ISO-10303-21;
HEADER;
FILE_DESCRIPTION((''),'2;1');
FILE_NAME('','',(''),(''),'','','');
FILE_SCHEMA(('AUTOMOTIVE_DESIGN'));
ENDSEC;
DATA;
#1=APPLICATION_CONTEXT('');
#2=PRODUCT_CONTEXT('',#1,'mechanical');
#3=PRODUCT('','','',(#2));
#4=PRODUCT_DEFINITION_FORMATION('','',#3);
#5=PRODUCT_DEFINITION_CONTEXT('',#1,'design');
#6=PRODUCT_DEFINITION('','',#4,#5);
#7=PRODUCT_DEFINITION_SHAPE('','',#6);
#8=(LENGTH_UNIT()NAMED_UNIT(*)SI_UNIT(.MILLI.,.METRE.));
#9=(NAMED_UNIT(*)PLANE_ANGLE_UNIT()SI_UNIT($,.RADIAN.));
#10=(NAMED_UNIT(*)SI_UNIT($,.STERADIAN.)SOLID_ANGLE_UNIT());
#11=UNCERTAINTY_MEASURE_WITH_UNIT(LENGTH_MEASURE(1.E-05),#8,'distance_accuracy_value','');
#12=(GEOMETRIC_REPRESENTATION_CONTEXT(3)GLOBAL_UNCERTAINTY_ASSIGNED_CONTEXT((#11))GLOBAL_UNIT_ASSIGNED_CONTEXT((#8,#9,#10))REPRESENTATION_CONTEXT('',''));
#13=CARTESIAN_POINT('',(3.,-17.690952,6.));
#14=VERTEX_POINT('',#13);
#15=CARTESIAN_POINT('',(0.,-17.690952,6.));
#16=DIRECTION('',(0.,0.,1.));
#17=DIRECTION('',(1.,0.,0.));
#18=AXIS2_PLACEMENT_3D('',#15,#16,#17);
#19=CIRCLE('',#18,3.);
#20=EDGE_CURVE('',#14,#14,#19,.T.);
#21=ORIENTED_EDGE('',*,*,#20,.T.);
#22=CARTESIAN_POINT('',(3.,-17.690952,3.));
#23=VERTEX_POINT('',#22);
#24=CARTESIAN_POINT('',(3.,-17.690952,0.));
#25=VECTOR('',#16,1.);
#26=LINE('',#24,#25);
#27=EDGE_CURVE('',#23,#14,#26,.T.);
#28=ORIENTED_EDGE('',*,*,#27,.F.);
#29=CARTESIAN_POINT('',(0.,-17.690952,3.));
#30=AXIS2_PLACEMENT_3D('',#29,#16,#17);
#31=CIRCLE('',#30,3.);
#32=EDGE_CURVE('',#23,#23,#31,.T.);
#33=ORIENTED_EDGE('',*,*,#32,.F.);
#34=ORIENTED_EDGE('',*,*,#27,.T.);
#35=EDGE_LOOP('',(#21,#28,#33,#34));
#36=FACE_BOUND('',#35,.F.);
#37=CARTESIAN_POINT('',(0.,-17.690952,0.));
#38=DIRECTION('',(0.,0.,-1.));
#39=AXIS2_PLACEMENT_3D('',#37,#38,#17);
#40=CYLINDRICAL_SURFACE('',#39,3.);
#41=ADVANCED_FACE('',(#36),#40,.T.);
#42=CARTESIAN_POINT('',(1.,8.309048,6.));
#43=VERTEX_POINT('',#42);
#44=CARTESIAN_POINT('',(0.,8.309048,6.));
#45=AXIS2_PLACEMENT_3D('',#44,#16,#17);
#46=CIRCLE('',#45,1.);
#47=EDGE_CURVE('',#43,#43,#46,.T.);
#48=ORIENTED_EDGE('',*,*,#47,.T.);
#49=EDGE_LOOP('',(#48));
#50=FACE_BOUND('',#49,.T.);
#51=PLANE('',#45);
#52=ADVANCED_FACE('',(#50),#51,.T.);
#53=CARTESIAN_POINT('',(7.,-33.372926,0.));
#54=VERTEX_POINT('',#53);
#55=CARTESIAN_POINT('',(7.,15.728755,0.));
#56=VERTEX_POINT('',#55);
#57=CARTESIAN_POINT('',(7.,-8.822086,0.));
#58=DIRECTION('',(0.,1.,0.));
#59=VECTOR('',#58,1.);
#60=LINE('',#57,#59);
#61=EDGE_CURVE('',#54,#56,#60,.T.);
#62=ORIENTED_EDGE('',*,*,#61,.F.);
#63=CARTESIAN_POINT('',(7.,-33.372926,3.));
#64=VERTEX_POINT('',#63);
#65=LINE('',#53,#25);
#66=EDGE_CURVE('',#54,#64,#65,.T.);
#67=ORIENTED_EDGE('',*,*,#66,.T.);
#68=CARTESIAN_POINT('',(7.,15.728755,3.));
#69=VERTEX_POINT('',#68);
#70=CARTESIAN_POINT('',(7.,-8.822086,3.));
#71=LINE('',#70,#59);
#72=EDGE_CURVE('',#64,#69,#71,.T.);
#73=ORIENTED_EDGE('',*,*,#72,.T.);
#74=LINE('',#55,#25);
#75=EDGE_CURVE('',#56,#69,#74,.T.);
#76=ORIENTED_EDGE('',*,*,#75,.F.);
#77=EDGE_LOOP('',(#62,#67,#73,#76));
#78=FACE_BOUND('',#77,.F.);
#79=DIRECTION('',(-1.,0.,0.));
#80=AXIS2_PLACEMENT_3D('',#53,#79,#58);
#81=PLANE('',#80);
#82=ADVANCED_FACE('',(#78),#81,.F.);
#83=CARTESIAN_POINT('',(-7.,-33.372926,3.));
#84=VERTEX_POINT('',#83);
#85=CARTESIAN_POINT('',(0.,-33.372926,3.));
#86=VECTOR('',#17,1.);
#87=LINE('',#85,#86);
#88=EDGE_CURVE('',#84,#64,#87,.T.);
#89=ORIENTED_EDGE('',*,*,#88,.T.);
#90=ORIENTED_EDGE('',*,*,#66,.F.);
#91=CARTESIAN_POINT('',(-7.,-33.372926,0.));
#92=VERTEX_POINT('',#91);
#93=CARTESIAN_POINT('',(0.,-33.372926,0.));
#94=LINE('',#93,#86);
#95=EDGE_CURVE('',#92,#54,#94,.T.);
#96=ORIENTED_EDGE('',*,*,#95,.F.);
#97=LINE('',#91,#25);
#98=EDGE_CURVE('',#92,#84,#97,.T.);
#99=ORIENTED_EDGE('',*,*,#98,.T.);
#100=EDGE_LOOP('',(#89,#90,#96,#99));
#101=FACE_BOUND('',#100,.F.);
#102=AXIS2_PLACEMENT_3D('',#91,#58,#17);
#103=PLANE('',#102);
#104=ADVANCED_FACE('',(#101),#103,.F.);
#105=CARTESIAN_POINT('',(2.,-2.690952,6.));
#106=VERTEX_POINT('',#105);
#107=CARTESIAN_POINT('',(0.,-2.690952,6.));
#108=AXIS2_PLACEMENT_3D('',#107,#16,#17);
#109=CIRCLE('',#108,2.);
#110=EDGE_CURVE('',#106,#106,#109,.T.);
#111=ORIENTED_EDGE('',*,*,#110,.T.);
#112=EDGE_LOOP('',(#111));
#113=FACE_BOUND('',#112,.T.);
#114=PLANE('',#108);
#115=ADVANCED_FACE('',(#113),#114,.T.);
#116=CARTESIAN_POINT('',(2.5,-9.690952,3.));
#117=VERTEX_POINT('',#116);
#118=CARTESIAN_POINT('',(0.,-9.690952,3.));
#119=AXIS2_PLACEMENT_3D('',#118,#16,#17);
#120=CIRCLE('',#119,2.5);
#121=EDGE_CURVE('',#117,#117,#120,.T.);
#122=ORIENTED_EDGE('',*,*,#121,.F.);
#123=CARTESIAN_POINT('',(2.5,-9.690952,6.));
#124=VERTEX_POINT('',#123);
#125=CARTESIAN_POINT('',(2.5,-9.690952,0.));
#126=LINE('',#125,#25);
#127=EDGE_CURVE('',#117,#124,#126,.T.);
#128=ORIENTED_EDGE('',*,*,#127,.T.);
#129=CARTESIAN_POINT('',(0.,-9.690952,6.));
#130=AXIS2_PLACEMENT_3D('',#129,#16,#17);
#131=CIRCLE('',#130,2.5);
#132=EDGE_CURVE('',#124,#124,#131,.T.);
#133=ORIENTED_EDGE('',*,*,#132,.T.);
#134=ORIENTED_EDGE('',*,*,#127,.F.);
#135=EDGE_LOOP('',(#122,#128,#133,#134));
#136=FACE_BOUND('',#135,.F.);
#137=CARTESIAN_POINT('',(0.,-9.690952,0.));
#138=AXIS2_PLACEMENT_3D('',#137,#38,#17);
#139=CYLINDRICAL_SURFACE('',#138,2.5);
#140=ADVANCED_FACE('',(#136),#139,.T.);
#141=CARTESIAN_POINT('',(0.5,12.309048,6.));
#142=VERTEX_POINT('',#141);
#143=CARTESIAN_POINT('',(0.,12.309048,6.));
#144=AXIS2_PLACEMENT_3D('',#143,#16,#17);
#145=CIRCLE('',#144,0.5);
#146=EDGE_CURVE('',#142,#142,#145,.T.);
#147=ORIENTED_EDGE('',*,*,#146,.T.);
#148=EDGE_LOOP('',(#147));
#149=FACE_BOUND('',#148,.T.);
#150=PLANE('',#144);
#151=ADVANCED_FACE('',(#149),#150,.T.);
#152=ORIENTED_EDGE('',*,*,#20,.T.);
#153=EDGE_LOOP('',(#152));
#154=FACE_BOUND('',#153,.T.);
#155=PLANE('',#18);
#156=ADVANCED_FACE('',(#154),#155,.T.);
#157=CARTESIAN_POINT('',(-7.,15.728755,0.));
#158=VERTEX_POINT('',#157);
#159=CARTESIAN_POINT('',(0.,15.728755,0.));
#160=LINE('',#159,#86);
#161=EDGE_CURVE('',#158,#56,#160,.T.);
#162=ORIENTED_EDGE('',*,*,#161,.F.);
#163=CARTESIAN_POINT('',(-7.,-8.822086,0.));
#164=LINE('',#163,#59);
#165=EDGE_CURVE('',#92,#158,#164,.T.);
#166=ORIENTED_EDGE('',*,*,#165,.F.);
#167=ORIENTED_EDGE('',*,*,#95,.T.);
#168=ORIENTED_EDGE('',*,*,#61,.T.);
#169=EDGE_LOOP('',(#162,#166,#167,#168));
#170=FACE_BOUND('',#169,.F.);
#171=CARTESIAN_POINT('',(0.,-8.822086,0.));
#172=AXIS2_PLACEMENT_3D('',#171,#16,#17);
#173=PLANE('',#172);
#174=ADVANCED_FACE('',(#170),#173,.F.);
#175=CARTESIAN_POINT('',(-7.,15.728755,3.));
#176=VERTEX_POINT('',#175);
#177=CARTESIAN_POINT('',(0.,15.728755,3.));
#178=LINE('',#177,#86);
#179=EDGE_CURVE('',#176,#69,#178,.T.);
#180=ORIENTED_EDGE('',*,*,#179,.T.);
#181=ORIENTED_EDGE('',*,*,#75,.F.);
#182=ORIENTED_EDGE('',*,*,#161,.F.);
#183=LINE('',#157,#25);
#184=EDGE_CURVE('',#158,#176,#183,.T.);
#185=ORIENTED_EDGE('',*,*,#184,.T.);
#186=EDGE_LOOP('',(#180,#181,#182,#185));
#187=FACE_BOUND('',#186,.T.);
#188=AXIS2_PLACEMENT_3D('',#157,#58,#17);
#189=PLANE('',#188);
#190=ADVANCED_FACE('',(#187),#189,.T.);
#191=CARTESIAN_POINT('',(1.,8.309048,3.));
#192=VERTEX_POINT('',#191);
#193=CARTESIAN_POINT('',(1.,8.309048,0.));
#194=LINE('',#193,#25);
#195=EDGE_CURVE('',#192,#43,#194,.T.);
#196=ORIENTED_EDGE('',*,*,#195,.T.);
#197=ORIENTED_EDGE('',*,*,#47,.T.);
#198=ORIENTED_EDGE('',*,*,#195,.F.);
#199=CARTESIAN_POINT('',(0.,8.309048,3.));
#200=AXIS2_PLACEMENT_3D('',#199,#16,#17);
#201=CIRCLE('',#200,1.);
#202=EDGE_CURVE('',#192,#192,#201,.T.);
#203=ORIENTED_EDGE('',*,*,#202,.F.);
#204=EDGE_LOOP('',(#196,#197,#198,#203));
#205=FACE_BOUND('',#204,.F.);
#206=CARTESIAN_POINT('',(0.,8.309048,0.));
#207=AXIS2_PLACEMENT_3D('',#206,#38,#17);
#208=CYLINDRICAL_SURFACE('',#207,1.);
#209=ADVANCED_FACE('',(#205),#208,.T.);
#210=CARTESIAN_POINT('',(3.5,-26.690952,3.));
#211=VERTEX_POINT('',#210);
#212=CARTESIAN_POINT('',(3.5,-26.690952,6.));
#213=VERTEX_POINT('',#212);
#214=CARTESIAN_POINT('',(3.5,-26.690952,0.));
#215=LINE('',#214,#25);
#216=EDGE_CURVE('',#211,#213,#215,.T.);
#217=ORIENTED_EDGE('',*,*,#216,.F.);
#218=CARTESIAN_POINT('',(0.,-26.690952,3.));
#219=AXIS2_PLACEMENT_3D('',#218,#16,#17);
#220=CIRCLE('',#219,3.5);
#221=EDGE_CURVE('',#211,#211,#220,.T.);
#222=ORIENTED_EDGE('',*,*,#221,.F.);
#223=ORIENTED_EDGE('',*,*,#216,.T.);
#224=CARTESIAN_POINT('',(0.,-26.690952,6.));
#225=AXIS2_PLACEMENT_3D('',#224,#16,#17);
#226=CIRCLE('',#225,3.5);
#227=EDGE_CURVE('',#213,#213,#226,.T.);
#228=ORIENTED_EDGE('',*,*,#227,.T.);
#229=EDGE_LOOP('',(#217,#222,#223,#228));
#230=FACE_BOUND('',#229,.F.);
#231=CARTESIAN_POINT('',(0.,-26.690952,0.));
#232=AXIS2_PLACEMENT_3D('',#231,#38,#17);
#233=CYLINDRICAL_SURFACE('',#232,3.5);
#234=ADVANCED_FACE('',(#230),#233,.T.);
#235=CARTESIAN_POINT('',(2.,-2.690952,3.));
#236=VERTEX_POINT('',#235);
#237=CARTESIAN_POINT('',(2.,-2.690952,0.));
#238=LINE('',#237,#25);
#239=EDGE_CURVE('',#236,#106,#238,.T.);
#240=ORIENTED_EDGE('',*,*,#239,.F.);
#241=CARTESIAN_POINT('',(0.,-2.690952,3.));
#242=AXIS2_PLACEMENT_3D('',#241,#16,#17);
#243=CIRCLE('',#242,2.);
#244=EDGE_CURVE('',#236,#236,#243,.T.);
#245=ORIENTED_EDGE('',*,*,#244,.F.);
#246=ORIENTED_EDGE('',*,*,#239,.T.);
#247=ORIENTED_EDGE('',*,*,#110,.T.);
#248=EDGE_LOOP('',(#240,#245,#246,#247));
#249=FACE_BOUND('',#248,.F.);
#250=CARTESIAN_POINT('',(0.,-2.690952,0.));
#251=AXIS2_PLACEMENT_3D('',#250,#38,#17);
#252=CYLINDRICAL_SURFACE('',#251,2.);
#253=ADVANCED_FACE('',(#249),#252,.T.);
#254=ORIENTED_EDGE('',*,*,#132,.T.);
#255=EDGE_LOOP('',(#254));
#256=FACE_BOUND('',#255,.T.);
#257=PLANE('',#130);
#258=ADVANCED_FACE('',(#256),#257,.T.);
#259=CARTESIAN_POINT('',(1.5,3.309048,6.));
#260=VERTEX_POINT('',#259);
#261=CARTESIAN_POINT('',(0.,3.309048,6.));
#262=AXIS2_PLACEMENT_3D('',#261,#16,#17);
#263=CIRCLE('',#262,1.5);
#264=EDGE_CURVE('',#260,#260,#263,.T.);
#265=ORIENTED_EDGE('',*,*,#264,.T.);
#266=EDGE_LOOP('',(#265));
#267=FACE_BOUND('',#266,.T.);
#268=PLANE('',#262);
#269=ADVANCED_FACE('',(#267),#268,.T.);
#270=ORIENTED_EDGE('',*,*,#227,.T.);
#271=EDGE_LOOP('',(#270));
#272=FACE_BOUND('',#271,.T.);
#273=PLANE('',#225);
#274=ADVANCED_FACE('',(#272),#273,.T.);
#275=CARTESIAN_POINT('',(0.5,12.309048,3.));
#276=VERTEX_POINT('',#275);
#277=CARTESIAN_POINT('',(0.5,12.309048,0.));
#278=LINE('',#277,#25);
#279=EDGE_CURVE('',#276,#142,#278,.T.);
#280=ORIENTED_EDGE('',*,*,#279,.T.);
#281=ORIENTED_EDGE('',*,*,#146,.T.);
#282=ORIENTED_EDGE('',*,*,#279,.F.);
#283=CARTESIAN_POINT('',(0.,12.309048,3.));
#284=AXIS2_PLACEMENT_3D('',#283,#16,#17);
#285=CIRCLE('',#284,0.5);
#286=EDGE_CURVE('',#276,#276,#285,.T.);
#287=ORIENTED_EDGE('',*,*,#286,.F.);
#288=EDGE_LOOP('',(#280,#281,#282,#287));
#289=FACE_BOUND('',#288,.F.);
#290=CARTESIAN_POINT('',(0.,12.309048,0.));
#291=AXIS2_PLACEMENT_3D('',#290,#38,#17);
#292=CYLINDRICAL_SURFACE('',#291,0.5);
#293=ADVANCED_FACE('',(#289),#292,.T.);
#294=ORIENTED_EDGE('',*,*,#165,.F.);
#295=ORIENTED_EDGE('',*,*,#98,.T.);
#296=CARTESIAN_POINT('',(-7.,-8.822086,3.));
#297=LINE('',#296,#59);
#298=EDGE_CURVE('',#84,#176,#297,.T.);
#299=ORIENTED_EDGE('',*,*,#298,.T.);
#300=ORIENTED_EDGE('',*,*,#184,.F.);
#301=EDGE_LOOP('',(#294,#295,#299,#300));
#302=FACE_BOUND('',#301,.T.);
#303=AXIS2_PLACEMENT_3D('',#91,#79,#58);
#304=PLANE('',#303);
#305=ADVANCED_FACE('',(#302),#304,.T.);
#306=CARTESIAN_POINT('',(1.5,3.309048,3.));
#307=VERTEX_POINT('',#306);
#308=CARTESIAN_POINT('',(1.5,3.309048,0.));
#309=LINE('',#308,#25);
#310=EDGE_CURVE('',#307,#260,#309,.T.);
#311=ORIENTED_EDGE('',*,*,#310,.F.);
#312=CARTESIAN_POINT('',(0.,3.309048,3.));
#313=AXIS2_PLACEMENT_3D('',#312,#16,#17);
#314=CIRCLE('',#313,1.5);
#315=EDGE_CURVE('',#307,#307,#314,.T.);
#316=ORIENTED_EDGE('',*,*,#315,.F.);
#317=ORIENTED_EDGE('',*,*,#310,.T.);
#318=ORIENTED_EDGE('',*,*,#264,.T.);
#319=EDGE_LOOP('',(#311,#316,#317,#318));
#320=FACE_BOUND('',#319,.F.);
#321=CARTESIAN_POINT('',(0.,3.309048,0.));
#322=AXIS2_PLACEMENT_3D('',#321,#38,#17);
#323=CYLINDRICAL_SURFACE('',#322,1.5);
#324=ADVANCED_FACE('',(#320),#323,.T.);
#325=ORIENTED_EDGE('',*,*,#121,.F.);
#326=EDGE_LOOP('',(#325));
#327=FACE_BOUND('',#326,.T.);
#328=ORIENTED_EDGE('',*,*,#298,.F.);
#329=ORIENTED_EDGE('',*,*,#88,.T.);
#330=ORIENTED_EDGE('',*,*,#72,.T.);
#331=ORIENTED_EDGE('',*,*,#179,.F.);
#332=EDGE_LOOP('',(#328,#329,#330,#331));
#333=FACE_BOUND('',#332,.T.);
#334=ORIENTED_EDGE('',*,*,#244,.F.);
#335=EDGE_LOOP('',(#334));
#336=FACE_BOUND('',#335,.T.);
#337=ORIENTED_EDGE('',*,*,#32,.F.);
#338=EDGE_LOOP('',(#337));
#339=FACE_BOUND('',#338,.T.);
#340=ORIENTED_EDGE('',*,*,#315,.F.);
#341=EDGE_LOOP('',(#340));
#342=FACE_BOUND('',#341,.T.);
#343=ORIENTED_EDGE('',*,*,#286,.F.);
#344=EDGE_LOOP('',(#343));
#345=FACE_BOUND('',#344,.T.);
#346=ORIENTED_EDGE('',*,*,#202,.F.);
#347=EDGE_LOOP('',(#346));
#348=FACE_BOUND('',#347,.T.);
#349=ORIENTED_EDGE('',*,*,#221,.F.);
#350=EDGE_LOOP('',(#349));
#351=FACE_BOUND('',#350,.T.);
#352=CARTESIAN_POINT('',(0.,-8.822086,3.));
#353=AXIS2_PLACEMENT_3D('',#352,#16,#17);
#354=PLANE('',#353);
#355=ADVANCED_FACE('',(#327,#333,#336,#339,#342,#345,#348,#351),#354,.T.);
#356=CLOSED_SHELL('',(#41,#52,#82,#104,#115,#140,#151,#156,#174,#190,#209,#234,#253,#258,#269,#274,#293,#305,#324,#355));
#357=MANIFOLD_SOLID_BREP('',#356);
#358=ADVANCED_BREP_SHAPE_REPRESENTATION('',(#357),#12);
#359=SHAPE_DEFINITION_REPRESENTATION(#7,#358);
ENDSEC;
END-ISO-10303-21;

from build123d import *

# Parameters (mm, degrees)
F0_W     = 14
F0_H     = 49.101681
F0_R     = 3.5
F0_R_2   = 3
F0_R_3   = 2.5
F0_R_4   = 2
F0_R_5   = 1.5
F0_R_6   = 1
F0_R_7   = 0.5
F1_DEPTH = 3
F2_DEPTH = 6


with BuildPart() as f1:
    # F0 (on Top) → F1 (new body)
    with BuildSketch(Plane.XY):
        with Locations((0, -8.822086)):
            Rectangle(F0_W, F0_H)
        with Locations((0, -26.690952)):
            Circle(F0_R, mode=Mode.SUBTRACT)
        with Locations((0, -17.690952)):
            Circle(F0_R_2, mode=Mode.SUBTRACT)
        with Locations((0, -9.690952)):
            Circle(F0_R_3, mode=Mode.SUBTRACT)
        with Locations((0, -2.690952)):
            Circle(F0_R_4, mode=Mode.SUBTRACT)
        with Locations((0, 3.309048)):
            Circle(F0_R_5, mode=Mode.SUBTRACT)
        with Locations((0, 8.309048)):
            Circle(F0_R_6, mode=Mode.SUBTRACT)
        with Locations((0, 12.309048)):
            Circle(F0_R_7, mode=Mode.SUBTRACT)
    extrude(amount=F1_DEPTH)

    # F0 (on Top) → F2 (join)
    with BuildSketch(Plane.XY):
        with Locations((0, -26.690952)):
            Circle(F0_R)
        with Locations((0, -17.690952)):
            Circle(F0_R_2)
        with Locations((0, -9.690952)):
            Circle(F0_R_3)
        with Locations((0, -2.690952)):
            Circle(F0_R_4)
        with Locations((0, 3.309048)):
            Circle(F0_R_5)
        with Locations((0, 8.309048)):
            Circle(F0_R_6)
        with Locations((0, 12.309048)):
            Circle(F0_R_7)
    extrude(amount=F2_DEPTH)


solid = f1.part
